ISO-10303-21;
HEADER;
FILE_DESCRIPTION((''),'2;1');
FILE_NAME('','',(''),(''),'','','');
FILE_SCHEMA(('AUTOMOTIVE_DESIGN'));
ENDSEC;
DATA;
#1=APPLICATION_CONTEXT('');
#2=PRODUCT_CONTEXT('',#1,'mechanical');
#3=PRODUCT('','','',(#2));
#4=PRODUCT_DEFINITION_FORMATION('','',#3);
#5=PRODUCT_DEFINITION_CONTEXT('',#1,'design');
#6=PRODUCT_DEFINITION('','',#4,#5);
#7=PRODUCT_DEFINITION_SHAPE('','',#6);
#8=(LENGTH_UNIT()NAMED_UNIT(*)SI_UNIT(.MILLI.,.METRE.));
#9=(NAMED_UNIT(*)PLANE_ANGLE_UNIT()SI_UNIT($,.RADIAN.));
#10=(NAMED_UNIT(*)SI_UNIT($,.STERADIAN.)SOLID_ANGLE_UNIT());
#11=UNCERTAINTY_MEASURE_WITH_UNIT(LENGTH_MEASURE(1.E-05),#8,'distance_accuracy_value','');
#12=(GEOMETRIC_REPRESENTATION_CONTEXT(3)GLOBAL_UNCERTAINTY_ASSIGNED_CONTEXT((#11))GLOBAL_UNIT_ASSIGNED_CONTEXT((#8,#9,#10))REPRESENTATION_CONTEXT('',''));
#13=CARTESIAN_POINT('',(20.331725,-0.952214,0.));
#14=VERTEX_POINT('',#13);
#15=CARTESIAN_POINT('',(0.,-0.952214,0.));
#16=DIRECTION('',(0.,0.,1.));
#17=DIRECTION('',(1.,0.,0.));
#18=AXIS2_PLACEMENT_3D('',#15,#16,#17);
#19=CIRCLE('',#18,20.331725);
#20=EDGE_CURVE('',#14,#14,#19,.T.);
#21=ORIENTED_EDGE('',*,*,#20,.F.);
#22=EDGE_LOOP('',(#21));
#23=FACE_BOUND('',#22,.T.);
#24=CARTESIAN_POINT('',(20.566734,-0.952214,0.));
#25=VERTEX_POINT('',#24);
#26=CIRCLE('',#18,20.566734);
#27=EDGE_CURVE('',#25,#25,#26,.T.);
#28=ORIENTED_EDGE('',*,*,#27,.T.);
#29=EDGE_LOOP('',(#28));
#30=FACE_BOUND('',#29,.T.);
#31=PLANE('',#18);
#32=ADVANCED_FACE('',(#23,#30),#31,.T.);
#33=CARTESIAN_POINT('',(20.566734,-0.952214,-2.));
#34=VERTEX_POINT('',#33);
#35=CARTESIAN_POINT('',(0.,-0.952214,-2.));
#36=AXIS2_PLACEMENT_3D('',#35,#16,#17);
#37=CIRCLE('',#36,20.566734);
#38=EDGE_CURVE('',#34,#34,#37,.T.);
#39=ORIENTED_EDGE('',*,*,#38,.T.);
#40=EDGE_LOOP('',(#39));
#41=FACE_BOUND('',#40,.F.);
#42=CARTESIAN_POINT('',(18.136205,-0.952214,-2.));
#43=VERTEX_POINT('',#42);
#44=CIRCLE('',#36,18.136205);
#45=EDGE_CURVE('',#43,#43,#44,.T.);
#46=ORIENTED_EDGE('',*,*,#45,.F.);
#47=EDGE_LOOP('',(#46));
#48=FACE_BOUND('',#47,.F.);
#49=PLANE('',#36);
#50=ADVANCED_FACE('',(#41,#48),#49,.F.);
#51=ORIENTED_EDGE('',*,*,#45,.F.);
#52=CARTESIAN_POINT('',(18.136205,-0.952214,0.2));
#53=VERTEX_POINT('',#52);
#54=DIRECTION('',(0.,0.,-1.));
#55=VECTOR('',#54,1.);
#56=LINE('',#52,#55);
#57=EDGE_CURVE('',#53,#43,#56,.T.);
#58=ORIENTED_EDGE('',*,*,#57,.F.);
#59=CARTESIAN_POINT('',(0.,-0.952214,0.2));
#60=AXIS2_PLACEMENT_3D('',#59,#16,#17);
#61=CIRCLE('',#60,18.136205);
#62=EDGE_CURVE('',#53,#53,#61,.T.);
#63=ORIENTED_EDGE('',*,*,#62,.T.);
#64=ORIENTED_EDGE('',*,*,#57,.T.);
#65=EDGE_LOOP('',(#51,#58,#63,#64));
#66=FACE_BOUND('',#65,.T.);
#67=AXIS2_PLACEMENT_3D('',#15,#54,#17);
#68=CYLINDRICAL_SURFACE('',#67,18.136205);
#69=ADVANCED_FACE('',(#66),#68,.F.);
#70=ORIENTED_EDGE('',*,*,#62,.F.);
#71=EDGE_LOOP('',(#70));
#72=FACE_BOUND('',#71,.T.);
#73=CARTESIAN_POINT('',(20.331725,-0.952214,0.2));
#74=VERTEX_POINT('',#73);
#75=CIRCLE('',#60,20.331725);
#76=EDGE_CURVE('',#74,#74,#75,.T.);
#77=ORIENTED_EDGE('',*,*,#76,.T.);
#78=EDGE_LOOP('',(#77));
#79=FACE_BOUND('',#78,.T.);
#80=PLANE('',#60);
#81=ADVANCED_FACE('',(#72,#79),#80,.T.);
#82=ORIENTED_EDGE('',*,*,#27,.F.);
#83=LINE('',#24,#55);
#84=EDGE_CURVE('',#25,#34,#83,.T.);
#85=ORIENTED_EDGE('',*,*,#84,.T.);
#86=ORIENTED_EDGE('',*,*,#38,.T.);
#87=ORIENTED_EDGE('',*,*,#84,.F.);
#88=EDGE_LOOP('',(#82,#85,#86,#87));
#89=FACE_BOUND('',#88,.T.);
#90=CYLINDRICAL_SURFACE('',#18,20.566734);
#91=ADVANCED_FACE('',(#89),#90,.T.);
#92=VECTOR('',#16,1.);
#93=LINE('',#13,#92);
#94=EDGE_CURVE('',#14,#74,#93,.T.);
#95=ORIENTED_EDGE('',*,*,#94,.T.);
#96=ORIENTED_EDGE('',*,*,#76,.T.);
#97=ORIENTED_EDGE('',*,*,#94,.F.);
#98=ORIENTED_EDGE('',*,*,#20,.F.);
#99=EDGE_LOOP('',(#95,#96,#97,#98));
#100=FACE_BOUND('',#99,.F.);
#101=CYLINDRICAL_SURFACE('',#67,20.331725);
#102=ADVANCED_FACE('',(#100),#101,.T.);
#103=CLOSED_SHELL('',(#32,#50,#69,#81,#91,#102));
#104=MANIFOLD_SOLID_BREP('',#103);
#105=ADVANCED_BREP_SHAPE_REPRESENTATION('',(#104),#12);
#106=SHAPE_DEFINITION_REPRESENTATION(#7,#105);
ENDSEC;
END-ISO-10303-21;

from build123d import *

# Parameters (mm, degrees)
F0_R     = 20.566734
F0_R_2   = 18.136205
F1_DEPTH = 2
F2_R     = 20.331725
F2_R_2   = 18.136205
F3_DEPTH = 0.2


with BuildPart() as f1:
    # F0 (on Top) → F1 (new body)
    with BuildSketch(Plane.XY):
        with Locations((0, -0.952214)):
            Circle(F0_R)
        with Locations((0, -0.952214)):
            Circle(F0_R_2, mode=Mode.SUBTRACT)
    extrude(amount=-F1_DEPTH)

    # F2 (on face) → F3 (join)
    with BuildSketch(Plane.XY):
        with Locations((0, -0.952214)):
            Circle(F2_R)
        with Locations((0, -0.952214)):
            Circle(F2_R_2, mode=Mode.SUBTRACT)
    extrude(amount=F3_DEPTH)


solid = f1.part
